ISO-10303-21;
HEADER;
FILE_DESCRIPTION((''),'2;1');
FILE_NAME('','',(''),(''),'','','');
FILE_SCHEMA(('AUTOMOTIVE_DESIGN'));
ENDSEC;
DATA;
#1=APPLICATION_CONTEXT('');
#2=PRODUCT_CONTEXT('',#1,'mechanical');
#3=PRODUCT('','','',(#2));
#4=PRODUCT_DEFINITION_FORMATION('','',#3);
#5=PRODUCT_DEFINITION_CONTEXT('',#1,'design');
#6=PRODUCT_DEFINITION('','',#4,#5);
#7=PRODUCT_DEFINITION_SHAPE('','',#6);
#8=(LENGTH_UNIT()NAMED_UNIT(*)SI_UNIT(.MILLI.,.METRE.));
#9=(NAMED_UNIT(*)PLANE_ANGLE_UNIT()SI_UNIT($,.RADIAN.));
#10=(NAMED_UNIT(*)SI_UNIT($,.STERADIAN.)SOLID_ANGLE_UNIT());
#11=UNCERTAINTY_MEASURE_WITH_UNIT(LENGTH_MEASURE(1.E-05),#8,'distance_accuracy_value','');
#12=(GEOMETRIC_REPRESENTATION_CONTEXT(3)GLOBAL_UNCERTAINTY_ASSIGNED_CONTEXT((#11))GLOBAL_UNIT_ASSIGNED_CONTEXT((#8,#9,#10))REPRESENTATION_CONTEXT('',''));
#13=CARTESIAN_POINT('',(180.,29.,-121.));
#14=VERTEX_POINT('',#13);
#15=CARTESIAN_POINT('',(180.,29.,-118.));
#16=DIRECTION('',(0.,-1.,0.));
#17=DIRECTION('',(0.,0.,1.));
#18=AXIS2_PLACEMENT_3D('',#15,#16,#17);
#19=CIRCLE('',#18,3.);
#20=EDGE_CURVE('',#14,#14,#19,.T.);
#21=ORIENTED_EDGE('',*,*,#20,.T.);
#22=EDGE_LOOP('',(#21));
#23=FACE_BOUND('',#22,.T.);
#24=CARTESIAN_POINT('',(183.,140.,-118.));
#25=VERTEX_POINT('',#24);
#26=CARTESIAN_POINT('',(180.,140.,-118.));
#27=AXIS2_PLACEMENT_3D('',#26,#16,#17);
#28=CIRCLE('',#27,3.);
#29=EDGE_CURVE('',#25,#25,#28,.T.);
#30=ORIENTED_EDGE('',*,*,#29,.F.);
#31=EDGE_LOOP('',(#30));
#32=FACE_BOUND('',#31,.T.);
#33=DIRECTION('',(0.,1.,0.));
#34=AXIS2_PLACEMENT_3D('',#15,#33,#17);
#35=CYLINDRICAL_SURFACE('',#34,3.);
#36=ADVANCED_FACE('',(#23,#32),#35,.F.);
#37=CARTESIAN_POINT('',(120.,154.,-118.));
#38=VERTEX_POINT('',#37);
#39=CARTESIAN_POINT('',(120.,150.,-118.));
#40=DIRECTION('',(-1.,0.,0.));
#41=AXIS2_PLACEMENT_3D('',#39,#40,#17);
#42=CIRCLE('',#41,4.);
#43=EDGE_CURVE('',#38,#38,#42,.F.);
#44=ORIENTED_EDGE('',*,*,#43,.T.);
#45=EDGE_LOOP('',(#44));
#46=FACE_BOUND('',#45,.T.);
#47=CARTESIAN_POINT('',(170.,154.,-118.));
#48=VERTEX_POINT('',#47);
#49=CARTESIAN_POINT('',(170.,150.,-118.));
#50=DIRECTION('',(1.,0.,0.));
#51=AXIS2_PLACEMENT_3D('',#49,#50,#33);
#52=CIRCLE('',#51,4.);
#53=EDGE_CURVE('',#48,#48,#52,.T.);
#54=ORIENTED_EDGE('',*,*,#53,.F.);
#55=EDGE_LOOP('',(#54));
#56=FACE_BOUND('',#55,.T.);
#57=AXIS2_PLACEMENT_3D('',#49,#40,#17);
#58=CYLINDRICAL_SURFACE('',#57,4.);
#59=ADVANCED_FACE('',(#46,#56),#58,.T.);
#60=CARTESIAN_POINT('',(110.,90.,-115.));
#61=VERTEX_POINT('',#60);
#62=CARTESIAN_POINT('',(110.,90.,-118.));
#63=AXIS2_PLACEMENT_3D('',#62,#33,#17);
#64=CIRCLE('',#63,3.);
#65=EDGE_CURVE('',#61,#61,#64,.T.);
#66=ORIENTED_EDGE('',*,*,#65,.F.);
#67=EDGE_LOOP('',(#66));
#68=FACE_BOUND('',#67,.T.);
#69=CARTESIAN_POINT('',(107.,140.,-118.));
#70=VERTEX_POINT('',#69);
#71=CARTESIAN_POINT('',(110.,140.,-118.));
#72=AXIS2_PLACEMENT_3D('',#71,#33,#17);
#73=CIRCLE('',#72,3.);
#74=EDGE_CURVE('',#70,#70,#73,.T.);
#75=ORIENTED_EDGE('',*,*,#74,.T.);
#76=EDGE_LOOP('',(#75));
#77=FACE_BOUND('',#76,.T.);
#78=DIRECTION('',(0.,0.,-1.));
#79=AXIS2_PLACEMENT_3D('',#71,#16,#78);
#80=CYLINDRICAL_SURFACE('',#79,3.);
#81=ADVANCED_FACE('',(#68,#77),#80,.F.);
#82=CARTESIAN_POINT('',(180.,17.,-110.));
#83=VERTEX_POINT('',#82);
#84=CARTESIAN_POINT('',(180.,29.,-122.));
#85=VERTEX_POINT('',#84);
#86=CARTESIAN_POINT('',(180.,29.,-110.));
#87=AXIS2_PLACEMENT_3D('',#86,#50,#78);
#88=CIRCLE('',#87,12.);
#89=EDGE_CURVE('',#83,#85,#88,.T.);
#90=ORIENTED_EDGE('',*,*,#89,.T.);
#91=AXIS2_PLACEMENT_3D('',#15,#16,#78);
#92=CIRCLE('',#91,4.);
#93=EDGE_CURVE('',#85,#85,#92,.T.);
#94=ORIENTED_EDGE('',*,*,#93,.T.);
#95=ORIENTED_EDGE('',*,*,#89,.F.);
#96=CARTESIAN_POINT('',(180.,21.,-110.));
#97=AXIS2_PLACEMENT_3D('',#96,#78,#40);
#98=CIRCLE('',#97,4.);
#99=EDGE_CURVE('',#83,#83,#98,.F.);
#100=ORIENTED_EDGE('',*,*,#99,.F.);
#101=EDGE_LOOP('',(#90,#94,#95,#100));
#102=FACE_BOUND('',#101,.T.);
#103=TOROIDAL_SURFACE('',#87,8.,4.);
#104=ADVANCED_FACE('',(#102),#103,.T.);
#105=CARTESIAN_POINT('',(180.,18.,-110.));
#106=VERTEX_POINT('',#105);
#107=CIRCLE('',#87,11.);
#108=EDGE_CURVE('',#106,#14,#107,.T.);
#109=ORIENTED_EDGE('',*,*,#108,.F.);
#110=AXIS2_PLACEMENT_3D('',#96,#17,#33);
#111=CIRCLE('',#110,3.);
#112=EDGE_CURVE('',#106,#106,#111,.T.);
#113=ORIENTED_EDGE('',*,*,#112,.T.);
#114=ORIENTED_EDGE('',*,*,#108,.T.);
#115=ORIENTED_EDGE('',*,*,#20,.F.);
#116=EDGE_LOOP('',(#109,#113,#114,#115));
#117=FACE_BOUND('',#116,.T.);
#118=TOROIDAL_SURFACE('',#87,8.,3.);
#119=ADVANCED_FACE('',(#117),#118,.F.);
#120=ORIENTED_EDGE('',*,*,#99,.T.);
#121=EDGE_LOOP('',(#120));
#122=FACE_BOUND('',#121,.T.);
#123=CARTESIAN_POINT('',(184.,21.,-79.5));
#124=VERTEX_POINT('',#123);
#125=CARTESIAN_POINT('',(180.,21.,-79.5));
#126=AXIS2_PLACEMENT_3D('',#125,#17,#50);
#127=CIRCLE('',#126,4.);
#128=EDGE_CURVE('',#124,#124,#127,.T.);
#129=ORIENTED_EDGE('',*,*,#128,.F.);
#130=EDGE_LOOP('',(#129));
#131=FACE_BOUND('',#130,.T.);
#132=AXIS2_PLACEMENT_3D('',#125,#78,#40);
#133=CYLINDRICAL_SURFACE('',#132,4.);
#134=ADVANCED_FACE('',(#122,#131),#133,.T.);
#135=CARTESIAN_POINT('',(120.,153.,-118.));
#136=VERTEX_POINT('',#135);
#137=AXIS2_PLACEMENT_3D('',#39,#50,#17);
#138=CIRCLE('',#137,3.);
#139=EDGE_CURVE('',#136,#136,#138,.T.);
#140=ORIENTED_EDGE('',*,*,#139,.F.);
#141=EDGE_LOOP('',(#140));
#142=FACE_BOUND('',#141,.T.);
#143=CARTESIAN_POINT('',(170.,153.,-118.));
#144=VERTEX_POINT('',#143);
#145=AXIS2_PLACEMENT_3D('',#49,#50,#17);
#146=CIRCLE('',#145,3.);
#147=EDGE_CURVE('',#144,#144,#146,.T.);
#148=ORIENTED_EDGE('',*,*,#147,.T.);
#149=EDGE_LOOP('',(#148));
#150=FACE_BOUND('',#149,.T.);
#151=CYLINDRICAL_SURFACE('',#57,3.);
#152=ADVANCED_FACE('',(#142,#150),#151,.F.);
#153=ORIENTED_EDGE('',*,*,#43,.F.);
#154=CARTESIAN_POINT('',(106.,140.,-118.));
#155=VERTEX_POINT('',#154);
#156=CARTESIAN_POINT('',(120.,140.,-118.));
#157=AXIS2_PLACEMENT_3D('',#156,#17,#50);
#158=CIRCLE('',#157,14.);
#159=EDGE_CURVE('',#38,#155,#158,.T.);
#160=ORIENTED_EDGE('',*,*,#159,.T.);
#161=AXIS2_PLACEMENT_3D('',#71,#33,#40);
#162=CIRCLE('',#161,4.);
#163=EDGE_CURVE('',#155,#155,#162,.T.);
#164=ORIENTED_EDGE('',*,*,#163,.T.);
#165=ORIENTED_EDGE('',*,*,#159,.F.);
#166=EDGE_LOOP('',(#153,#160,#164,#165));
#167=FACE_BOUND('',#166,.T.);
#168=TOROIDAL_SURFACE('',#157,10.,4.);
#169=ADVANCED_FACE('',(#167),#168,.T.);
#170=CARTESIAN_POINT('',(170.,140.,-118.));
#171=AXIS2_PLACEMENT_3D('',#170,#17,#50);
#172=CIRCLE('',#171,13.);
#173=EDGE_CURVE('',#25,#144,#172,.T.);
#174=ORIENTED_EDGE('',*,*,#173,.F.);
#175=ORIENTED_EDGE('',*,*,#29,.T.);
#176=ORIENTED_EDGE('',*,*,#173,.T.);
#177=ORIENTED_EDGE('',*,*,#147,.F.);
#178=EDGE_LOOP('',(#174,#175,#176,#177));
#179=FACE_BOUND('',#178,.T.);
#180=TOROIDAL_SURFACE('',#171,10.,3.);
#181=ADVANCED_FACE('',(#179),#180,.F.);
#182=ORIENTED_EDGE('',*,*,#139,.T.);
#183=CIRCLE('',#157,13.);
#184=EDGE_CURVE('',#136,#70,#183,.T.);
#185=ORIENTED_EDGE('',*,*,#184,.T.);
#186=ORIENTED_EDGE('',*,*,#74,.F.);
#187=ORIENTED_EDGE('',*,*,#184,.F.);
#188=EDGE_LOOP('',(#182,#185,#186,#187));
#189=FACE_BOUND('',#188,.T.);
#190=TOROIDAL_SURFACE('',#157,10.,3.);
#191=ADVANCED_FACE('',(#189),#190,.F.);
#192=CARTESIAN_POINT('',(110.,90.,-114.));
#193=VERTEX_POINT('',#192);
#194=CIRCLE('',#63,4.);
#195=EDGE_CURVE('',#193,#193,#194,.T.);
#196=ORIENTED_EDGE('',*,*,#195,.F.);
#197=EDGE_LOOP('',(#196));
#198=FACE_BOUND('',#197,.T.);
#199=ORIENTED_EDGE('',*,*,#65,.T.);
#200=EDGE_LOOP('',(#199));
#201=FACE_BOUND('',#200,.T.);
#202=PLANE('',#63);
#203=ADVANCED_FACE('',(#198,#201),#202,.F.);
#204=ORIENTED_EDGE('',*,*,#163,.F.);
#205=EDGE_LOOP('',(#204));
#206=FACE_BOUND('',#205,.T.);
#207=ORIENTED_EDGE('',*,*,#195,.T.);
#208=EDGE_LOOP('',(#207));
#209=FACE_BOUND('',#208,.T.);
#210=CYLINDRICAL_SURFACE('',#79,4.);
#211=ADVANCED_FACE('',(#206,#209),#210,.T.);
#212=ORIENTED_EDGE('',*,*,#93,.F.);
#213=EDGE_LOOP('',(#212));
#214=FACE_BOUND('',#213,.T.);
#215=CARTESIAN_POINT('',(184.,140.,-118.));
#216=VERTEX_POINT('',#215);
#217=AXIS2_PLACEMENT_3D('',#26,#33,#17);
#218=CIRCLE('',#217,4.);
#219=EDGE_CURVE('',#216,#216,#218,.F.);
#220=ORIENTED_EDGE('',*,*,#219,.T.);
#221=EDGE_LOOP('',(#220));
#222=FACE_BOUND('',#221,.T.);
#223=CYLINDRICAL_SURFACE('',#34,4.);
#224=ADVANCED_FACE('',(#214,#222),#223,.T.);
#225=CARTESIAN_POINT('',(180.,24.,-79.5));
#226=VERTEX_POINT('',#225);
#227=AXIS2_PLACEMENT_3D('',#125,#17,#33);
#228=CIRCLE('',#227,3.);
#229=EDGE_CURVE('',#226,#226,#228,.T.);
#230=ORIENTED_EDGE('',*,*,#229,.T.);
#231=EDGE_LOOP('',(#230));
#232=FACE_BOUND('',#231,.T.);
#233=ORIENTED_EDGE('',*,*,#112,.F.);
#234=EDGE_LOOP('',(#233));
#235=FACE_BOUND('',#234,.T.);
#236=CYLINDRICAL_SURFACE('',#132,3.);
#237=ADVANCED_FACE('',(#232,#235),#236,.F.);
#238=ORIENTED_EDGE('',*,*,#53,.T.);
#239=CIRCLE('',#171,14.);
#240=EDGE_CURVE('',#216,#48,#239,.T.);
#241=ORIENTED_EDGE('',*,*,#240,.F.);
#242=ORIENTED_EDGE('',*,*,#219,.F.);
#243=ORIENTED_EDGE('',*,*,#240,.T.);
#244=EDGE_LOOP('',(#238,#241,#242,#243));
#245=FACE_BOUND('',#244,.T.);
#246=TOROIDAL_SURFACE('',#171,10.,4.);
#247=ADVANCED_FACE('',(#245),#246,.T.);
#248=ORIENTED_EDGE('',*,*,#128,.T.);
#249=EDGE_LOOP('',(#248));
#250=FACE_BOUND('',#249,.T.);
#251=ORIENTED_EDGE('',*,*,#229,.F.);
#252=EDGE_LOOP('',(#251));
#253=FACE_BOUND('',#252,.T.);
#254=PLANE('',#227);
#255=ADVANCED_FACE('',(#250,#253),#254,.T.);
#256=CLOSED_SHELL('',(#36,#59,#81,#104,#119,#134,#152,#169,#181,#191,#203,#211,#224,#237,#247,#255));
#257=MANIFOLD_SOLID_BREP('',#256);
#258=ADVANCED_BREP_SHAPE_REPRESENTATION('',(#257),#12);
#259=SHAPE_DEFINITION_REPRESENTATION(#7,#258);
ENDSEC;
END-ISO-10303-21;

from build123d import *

# Parameters (mm, degrees)
TUBE_PROFILE_R   = 4
TUBE_PROFILE_R_2 = 3


with BuildPart() as part:
    # Tube: sweep along a curve in space
    with BuildLine() as tube_path:
        Line((180, 21, -79.5), (180, 21, -110))
        ThreePointArc((180, 29, -118), (180, 23.343145751, -115.656854249), (180, 21, -110))
        Line((180, 29, -118), (180, 140, -118))
        ThreePointArc((170, 150, -118), (177.071067812, 147.071067812, -118), (180, 140, -118))
        Line((170, 150, -118), (120, 150, -118))
        ThreePointArc((110, 140, -118), (112.928932188, 147.071067812, -118), (120, 150, -118))
        Line((110, 140, -118), (110, 90, -118))
    # Tube profile (on start of the path) → Tube (sweep)
    with BuildSketch(Plane(origin=(180, 21, -79.5), x_dir=(-1, 0, 0), z_dir=(0, 0, -1))):
        Circle(TUBE_PROFILE_R)
        Circle(TUBE_PROFILE_R_2, mode=Mode.SUBTRACT)
    sweep(path=tube_path.line)


solid = part.part
